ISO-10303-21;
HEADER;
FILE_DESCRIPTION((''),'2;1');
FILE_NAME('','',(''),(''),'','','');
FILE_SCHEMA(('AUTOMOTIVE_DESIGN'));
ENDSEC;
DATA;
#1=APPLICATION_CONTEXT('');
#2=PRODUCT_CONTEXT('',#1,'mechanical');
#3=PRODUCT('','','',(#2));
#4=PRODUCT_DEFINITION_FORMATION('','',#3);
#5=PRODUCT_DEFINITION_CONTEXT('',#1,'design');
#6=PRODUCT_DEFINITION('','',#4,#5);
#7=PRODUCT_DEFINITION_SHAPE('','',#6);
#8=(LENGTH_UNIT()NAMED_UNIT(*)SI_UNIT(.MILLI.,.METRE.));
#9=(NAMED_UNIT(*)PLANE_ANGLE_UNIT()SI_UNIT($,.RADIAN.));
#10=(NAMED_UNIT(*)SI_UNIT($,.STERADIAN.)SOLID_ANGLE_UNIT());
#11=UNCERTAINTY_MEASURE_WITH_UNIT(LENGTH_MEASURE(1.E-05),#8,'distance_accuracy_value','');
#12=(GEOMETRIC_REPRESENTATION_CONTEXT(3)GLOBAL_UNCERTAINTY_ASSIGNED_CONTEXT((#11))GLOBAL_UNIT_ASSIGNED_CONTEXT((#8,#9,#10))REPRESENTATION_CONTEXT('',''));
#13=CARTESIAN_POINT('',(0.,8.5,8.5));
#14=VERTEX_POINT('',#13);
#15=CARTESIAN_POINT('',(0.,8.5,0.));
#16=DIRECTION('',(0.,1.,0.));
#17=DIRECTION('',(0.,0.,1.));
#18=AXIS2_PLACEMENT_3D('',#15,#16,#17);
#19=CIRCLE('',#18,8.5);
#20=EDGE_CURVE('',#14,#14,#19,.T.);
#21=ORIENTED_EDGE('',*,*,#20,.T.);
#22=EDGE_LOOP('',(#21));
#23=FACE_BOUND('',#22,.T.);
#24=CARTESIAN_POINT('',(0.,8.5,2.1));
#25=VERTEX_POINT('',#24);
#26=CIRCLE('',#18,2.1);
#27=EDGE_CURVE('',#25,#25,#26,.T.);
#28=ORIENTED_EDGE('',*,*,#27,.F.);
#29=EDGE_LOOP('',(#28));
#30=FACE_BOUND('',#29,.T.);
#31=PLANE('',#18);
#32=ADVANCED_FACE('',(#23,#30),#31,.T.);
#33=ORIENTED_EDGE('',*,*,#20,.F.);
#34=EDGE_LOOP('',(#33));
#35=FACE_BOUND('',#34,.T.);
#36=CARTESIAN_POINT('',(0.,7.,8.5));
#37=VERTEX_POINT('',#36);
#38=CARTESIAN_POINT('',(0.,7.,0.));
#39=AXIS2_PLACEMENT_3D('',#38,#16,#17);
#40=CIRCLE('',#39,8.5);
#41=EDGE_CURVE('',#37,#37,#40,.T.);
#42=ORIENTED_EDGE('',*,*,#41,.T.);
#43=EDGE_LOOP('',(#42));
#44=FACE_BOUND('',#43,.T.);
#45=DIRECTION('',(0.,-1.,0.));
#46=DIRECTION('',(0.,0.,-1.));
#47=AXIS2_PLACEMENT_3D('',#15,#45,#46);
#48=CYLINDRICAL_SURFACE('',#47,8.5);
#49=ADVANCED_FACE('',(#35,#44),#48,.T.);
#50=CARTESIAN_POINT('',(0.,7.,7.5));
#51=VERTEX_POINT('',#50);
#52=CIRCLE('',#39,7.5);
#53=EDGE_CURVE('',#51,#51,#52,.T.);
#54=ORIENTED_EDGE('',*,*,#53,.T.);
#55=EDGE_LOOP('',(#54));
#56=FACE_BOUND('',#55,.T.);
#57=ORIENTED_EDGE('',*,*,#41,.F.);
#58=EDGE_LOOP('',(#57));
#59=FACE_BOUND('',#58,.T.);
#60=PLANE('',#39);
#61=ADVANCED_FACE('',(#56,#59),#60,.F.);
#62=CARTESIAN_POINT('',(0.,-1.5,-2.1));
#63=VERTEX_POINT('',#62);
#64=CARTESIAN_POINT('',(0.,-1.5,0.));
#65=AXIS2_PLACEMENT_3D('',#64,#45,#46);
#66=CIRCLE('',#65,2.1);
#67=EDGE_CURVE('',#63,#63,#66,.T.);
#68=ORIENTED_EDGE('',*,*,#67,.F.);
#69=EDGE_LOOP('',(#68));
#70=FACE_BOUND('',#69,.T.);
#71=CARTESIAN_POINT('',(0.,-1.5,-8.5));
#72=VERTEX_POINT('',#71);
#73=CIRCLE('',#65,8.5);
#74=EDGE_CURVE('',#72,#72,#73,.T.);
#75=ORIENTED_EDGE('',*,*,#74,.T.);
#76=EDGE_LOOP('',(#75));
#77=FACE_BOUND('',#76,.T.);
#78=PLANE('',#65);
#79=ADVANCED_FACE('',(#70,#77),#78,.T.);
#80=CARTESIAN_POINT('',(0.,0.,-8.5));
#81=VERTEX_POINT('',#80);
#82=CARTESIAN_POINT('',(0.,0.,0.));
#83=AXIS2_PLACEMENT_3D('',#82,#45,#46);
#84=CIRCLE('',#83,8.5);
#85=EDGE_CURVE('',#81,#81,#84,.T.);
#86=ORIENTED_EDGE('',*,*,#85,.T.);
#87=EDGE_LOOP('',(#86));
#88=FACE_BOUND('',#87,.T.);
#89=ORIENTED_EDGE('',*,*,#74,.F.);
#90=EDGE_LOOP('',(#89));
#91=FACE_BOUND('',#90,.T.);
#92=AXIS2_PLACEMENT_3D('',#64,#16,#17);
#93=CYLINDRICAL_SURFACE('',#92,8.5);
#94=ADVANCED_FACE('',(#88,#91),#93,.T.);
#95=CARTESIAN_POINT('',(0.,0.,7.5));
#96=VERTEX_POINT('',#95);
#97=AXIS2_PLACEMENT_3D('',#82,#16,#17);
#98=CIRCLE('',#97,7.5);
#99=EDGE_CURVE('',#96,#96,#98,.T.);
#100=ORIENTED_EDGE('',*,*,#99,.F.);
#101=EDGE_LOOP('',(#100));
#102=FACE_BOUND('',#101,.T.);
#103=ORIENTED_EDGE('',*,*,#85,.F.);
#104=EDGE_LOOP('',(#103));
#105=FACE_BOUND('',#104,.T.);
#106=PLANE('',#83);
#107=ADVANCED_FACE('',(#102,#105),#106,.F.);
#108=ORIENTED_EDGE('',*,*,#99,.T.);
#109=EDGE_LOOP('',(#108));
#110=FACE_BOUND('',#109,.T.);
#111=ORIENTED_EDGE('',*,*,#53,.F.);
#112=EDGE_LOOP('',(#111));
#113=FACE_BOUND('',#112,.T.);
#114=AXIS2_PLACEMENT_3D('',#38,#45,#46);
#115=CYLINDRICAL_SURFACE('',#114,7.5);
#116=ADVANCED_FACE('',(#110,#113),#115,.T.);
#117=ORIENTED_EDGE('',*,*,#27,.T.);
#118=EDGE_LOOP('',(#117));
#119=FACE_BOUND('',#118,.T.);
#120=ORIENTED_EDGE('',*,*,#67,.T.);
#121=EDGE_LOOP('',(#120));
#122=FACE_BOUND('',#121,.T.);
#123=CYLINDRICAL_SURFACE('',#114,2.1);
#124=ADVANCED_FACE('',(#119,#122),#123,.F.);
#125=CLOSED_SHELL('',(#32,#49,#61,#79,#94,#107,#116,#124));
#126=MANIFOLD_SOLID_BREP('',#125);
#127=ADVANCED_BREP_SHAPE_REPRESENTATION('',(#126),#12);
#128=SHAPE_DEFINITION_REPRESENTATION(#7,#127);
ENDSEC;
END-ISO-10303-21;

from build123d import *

# Parameters (mm, degrees)
SKETCH_1_R      = 7.5
SKETCH_1_R_2    = 2.1
EXTRUDE_1_DEPTH = 7
SKETCH_2_R      = 8.5
SKETCH_2_R_2    = 2.1
EXTRUDE_2_DEPTH = 1.5
EXTRUDE_START   = 1.5
SKETCH_3_R      = 8.5
SKETCH_3_R_2    = 2.1
EXTRUDE_3_DEPTH = 1.5


with BuildPart() as part:
    # 草图1 → 凸台-拉伸1 (new body)
    with BuildSketch(Plane(origin=(0, 0, 0), x_dir=(1, 0, 0), z_dir=(0, 1, 0))):
        with Locations(Location((0, 0, 0), (0, 0, 270))):
            Circle(SKETCH_1_R)
        with Locations(Location((0, 0, 0), (0, 0, 270))):
            Circle(SKETCH_1_R_2, mode=Mode.SUBTRACT)
    extrude(amount=EXTRUDE_1_DEPTH)

    # 草图2 → 凸台-拉伸2 (add)
    with BuildSketch(Plane(origin=(0, 7, 0), x_dir=(1, 0, 0), z_dir=(0, 1, 0))):
        with Locations(Location((0, 0, 0), (0, 0, 270))):
            Circle(SKETCH_2_R)
        with Locations(Location((0, 0, 0), (0, 0, 270))):
            Circle(SKETCH_2_R_2, mode=Mode.SUBTRACT)
    extrude(amount=EXTRUDE_2_DEPTH)

    # 草图3 → 凸台-拉伸3 (add)
    with BuildSketch(Plane.XZ.offset(EXTRUDE_START)):
        with Locations(Location((0, 0, 0), (0, 0, 90))):
            Circle(SKETCH_3_R)
        with Locations(Location((0, 0, 0), (0, 0, 270))):
            Circle(SKETCH_3_R_2, mode=Mode.SUBTRACT)
    extrude(amount=-EXTRUDE_3_DEPTH)


solid = part.part
